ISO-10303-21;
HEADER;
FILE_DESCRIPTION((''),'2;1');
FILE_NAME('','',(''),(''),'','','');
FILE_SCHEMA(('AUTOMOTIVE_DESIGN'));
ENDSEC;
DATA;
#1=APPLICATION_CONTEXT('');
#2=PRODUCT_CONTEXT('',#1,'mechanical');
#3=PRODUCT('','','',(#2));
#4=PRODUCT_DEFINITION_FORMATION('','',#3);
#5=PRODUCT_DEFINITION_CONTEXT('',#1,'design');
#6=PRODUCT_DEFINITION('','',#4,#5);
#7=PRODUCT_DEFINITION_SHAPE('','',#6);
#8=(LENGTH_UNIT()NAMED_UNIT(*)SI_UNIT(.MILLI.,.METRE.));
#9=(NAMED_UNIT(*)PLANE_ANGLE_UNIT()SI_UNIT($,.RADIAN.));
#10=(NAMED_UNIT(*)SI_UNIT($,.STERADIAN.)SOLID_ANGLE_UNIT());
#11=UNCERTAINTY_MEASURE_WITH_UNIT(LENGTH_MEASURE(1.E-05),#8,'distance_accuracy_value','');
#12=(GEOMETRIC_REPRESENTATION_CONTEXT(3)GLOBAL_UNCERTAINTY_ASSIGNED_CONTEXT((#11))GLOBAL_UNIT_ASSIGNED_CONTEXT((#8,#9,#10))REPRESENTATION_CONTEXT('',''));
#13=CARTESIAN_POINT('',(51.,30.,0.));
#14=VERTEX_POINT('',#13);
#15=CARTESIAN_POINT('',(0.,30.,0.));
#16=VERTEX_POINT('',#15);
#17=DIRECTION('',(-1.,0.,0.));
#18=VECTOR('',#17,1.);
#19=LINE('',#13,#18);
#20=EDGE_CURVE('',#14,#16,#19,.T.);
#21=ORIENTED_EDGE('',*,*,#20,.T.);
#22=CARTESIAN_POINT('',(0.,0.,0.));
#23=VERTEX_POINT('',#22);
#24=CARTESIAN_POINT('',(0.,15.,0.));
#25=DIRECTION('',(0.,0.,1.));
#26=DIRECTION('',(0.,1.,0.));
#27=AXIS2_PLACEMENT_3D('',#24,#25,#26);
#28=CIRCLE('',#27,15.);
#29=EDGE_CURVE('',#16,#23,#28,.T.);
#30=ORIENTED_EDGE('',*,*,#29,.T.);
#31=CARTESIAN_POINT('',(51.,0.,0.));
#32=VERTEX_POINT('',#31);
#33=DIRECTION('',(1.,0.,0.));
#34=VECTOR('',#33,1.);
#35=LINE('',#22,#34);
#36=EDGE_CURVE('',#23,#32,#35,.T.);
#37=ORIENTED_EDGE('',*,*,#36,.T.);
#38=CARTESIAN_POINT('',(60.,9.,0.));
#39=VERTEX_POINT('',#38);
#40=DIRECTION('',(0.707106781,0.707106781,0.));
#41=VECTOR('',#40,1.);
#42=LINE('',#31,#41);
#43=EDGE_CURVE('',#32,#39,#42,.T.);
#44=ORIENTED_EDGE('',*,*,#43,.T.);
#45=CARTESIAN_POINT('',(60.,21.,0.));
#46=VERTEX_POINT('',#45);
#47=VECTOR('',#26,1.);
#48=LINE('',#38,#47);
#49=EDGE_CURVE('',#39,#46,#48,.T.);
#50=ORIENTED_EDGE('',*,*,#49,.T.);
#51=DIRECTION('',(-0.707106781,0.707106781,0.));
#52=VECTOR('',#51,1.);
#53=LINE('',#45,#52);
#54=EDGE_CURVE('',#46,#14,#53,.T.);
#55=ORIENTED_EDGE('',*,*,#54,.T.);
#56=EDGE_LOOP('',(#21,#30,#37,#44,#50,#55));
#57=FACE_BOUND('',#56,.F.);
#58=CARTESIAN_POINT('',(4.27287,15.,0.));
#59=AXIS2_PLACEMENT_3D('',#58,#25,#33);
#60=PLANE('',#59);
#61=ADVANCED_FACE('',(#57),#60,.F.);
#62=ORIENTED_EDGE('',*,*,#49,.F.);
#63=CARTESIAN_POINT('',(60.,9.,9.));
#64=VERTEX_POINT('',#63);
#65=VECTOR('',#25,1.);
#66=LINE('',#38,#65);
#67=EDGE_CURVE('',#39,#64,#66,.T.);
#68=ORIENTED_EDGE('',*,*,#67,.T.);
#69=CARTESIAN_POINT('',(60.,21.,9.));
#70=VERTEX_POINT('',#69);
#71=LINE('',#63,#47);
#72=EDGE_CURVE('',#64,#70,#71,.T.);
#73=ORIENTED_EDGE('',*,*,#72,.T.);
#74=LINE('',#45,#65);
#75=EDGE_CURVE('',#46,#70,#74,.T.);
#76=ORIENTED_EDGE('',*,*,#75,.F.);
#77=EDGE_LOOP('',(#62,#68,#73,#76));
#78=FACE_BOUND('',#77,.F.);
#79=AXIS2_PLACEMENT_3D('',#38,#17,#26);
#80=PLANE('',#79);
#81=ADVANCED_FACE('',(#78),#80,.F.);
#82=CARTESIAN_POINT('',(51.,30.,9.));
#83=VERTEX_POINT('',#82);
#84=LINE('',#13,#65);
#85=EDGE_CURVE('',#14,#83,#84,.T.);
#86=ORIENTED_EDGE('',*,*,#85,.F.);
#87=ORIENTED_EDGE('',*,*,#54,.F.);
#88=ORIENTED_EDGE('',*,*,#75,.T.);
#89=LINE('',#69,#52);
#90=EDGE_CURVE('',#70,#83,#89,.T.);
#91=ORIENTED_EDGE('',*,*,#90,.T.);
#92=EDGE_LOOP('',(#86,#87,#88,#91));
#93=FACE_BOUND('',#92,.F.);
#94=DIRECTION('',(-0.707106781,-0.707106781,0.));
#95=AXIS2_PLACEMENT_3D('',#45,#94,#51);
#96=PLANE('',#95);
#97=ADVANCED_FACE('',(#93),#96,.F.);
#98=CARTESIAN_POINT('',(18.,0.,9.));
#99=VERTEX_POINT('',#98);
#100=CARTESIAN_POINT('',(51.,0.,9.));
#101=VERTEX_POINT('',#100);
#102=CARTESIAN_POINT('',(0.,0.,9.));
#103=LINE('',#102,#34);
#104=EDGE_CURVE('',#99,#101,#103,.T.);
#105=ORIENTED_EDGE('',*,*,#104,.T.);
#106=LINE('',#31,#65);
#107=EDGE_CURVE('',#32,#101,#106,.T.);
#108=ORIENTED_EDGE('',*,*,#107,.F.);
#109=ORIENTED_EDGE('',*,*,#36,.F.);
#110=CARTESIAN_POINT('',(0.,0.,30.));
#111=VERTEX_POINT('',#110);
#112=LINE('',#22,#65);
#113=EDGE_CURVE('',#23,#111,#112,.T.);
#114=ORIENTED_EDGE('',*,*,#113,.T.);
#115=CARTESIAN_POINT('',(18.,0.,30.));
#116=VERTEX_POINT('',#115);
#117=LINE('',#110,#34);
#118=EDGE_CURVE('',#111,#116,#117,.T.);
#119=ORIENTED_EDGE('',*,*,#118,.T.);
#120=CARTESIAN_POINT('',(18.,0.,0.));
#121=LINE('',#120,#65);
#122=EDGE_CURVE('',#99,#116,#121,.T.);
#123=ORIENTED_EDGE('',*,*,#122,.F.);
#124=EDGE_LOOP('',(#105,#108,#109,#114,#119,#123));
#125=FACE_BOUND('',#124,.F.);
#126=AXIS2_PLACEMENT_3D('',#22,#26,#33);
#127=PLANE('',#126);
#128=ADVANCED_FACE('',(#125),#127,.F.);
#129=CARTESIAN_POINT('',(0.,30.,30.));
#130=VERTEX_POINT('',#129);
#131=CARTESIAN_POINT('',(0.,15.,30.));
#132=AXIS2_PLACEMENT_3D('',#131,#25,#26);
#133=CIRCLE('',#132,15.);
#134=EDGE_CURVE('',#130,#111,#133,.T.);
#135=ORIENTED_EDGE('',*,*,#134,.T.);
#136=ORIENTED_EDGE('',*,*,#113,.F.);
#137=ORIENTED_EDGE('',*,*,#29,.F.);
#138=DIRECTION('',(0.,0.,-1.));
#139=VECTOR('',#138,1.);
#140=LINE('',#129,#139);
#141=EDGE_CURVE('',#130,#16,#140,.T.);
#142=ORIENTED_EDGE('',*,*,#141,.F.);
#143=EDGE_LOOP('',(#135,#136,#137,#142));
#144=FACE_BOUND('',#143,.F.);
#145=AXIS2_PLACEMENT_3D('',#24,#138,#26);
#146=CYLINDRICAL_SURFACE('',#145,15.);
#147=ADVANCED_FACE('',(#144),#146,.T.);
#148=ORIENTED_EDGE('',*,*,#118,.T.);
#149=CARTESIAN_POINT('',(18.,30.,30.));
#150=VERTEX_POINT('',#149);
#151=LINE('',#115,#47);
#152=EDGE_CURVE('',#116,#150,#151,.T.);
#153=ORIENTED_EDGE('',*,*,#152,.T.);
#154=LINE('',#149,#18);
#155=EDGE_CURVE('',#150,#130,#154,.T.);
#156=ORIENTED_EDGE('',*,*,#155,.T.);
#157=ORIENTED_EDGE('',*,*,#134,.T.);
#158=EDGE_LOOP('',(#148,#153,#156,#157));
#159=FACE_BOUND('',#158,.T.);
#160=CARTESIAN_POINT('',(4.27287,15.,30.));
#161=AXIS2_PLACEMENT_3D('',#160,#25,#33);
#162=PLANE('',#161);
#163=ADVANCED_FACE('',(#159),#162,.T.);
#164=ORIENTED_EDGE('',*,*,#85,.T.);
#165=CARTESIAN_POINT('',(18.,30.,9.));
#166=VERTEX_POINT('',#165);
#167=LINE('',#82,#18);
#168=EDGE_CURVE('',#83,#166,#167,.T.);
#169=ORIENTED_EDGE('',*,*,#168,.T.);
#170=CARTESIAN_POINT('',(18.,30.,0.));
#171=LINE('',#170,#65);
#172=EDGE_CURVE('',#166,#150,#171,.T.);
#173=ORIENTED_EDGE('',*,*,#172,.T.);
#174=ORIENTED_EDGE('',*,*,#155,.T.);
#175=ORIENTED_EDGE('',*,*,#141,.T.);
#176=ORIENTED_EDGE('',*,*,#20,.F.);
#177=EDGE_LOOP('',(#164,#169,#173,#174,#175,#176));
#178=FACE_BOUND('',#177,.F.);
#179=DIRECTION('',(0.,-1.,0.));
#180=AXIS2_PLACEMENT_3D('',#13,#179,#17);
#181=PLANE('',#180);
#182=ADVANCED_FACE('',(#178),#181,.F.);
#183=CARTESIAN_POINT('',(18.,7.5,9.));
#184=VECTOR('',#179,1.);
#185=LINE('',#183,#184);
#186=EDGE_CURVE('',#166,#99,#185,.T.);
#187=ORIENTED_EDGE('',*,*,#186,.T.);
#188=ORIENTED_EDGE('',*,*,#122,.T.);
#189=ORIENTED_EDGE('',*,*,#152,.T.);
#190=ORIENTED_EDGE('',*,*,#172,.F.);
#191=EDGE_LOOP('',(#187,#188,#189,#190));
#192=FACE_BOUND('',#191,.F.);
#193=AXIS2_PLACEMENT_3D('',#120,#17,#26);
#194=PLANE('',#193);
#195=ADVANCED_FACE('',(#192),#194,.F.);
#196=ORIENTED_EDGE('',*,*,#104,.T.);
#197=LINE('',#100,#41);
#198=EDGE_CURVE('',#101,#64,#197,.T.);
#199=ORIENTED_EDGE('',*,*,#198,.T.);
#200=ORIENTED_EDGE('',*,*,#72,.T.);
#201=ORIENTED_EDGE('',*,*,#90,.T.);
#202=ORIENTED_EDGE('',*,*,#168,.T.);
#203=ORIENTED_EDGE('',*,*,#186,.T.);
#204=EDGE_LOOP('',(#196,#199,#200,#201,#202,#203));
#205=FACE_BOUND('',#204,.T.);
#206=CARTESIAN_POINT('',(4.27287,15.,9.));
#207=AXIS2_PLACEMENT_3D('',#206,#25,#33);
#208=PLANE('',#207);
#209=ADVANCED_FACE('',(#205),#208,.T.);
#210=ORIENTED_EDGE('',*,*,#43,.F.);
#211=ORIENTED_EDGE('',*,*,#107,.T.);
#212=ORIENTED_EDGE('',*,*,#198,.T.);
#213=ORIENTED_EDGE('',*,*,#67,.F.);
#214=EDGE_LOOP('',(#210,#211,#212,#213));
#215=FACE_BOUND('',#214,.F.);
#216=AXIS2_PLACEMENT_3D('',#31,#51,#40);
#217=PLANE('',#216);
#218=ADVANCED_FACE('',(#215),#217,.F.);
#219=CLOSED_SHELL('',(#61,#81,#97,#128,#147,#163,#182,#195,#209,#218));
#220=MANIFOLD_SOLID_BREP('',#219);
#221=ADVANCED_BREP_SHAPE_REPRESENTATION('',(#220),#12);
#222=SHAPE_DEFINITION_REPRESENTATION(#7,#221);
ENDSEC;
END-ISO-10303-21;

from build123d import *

# Parameters (mm, degrees)
F1_DEPTH = 9
F2_DEPTH = 30


with BuildPart() as f1:
    # F0 (on Top) → F1 (new body)
    with BuildSketch(Plane.XY):
        with BuildLine():
            Line((18, 30), (0, 30))
            ThreePointArc((0, 30), (-15, 15), (0, 0))
            Line((0, 0), (18, 0))
            Line((18, 0), (18, 30))
        make_face()
        Polygon((51, 30), (18, 30), (18, 0), (51, 0), (60, 9), (60, 21), align=None)
    extrude(amount=F1_DEPTH)

    # F0 (on Top) → F2 (join)
    with BuildSketch(Plane.XY):
        with BuildLine():
            Line((18, 30), (0, 30))
            ThreePointArc((0, 30), (-15, 15), (0, 0))
            Line((0, 0), (18, 0))
            Line((18, 0), (18, 30))
        make_face()
    extrude(amount=F2_DEPTH)


solid = f1.part
